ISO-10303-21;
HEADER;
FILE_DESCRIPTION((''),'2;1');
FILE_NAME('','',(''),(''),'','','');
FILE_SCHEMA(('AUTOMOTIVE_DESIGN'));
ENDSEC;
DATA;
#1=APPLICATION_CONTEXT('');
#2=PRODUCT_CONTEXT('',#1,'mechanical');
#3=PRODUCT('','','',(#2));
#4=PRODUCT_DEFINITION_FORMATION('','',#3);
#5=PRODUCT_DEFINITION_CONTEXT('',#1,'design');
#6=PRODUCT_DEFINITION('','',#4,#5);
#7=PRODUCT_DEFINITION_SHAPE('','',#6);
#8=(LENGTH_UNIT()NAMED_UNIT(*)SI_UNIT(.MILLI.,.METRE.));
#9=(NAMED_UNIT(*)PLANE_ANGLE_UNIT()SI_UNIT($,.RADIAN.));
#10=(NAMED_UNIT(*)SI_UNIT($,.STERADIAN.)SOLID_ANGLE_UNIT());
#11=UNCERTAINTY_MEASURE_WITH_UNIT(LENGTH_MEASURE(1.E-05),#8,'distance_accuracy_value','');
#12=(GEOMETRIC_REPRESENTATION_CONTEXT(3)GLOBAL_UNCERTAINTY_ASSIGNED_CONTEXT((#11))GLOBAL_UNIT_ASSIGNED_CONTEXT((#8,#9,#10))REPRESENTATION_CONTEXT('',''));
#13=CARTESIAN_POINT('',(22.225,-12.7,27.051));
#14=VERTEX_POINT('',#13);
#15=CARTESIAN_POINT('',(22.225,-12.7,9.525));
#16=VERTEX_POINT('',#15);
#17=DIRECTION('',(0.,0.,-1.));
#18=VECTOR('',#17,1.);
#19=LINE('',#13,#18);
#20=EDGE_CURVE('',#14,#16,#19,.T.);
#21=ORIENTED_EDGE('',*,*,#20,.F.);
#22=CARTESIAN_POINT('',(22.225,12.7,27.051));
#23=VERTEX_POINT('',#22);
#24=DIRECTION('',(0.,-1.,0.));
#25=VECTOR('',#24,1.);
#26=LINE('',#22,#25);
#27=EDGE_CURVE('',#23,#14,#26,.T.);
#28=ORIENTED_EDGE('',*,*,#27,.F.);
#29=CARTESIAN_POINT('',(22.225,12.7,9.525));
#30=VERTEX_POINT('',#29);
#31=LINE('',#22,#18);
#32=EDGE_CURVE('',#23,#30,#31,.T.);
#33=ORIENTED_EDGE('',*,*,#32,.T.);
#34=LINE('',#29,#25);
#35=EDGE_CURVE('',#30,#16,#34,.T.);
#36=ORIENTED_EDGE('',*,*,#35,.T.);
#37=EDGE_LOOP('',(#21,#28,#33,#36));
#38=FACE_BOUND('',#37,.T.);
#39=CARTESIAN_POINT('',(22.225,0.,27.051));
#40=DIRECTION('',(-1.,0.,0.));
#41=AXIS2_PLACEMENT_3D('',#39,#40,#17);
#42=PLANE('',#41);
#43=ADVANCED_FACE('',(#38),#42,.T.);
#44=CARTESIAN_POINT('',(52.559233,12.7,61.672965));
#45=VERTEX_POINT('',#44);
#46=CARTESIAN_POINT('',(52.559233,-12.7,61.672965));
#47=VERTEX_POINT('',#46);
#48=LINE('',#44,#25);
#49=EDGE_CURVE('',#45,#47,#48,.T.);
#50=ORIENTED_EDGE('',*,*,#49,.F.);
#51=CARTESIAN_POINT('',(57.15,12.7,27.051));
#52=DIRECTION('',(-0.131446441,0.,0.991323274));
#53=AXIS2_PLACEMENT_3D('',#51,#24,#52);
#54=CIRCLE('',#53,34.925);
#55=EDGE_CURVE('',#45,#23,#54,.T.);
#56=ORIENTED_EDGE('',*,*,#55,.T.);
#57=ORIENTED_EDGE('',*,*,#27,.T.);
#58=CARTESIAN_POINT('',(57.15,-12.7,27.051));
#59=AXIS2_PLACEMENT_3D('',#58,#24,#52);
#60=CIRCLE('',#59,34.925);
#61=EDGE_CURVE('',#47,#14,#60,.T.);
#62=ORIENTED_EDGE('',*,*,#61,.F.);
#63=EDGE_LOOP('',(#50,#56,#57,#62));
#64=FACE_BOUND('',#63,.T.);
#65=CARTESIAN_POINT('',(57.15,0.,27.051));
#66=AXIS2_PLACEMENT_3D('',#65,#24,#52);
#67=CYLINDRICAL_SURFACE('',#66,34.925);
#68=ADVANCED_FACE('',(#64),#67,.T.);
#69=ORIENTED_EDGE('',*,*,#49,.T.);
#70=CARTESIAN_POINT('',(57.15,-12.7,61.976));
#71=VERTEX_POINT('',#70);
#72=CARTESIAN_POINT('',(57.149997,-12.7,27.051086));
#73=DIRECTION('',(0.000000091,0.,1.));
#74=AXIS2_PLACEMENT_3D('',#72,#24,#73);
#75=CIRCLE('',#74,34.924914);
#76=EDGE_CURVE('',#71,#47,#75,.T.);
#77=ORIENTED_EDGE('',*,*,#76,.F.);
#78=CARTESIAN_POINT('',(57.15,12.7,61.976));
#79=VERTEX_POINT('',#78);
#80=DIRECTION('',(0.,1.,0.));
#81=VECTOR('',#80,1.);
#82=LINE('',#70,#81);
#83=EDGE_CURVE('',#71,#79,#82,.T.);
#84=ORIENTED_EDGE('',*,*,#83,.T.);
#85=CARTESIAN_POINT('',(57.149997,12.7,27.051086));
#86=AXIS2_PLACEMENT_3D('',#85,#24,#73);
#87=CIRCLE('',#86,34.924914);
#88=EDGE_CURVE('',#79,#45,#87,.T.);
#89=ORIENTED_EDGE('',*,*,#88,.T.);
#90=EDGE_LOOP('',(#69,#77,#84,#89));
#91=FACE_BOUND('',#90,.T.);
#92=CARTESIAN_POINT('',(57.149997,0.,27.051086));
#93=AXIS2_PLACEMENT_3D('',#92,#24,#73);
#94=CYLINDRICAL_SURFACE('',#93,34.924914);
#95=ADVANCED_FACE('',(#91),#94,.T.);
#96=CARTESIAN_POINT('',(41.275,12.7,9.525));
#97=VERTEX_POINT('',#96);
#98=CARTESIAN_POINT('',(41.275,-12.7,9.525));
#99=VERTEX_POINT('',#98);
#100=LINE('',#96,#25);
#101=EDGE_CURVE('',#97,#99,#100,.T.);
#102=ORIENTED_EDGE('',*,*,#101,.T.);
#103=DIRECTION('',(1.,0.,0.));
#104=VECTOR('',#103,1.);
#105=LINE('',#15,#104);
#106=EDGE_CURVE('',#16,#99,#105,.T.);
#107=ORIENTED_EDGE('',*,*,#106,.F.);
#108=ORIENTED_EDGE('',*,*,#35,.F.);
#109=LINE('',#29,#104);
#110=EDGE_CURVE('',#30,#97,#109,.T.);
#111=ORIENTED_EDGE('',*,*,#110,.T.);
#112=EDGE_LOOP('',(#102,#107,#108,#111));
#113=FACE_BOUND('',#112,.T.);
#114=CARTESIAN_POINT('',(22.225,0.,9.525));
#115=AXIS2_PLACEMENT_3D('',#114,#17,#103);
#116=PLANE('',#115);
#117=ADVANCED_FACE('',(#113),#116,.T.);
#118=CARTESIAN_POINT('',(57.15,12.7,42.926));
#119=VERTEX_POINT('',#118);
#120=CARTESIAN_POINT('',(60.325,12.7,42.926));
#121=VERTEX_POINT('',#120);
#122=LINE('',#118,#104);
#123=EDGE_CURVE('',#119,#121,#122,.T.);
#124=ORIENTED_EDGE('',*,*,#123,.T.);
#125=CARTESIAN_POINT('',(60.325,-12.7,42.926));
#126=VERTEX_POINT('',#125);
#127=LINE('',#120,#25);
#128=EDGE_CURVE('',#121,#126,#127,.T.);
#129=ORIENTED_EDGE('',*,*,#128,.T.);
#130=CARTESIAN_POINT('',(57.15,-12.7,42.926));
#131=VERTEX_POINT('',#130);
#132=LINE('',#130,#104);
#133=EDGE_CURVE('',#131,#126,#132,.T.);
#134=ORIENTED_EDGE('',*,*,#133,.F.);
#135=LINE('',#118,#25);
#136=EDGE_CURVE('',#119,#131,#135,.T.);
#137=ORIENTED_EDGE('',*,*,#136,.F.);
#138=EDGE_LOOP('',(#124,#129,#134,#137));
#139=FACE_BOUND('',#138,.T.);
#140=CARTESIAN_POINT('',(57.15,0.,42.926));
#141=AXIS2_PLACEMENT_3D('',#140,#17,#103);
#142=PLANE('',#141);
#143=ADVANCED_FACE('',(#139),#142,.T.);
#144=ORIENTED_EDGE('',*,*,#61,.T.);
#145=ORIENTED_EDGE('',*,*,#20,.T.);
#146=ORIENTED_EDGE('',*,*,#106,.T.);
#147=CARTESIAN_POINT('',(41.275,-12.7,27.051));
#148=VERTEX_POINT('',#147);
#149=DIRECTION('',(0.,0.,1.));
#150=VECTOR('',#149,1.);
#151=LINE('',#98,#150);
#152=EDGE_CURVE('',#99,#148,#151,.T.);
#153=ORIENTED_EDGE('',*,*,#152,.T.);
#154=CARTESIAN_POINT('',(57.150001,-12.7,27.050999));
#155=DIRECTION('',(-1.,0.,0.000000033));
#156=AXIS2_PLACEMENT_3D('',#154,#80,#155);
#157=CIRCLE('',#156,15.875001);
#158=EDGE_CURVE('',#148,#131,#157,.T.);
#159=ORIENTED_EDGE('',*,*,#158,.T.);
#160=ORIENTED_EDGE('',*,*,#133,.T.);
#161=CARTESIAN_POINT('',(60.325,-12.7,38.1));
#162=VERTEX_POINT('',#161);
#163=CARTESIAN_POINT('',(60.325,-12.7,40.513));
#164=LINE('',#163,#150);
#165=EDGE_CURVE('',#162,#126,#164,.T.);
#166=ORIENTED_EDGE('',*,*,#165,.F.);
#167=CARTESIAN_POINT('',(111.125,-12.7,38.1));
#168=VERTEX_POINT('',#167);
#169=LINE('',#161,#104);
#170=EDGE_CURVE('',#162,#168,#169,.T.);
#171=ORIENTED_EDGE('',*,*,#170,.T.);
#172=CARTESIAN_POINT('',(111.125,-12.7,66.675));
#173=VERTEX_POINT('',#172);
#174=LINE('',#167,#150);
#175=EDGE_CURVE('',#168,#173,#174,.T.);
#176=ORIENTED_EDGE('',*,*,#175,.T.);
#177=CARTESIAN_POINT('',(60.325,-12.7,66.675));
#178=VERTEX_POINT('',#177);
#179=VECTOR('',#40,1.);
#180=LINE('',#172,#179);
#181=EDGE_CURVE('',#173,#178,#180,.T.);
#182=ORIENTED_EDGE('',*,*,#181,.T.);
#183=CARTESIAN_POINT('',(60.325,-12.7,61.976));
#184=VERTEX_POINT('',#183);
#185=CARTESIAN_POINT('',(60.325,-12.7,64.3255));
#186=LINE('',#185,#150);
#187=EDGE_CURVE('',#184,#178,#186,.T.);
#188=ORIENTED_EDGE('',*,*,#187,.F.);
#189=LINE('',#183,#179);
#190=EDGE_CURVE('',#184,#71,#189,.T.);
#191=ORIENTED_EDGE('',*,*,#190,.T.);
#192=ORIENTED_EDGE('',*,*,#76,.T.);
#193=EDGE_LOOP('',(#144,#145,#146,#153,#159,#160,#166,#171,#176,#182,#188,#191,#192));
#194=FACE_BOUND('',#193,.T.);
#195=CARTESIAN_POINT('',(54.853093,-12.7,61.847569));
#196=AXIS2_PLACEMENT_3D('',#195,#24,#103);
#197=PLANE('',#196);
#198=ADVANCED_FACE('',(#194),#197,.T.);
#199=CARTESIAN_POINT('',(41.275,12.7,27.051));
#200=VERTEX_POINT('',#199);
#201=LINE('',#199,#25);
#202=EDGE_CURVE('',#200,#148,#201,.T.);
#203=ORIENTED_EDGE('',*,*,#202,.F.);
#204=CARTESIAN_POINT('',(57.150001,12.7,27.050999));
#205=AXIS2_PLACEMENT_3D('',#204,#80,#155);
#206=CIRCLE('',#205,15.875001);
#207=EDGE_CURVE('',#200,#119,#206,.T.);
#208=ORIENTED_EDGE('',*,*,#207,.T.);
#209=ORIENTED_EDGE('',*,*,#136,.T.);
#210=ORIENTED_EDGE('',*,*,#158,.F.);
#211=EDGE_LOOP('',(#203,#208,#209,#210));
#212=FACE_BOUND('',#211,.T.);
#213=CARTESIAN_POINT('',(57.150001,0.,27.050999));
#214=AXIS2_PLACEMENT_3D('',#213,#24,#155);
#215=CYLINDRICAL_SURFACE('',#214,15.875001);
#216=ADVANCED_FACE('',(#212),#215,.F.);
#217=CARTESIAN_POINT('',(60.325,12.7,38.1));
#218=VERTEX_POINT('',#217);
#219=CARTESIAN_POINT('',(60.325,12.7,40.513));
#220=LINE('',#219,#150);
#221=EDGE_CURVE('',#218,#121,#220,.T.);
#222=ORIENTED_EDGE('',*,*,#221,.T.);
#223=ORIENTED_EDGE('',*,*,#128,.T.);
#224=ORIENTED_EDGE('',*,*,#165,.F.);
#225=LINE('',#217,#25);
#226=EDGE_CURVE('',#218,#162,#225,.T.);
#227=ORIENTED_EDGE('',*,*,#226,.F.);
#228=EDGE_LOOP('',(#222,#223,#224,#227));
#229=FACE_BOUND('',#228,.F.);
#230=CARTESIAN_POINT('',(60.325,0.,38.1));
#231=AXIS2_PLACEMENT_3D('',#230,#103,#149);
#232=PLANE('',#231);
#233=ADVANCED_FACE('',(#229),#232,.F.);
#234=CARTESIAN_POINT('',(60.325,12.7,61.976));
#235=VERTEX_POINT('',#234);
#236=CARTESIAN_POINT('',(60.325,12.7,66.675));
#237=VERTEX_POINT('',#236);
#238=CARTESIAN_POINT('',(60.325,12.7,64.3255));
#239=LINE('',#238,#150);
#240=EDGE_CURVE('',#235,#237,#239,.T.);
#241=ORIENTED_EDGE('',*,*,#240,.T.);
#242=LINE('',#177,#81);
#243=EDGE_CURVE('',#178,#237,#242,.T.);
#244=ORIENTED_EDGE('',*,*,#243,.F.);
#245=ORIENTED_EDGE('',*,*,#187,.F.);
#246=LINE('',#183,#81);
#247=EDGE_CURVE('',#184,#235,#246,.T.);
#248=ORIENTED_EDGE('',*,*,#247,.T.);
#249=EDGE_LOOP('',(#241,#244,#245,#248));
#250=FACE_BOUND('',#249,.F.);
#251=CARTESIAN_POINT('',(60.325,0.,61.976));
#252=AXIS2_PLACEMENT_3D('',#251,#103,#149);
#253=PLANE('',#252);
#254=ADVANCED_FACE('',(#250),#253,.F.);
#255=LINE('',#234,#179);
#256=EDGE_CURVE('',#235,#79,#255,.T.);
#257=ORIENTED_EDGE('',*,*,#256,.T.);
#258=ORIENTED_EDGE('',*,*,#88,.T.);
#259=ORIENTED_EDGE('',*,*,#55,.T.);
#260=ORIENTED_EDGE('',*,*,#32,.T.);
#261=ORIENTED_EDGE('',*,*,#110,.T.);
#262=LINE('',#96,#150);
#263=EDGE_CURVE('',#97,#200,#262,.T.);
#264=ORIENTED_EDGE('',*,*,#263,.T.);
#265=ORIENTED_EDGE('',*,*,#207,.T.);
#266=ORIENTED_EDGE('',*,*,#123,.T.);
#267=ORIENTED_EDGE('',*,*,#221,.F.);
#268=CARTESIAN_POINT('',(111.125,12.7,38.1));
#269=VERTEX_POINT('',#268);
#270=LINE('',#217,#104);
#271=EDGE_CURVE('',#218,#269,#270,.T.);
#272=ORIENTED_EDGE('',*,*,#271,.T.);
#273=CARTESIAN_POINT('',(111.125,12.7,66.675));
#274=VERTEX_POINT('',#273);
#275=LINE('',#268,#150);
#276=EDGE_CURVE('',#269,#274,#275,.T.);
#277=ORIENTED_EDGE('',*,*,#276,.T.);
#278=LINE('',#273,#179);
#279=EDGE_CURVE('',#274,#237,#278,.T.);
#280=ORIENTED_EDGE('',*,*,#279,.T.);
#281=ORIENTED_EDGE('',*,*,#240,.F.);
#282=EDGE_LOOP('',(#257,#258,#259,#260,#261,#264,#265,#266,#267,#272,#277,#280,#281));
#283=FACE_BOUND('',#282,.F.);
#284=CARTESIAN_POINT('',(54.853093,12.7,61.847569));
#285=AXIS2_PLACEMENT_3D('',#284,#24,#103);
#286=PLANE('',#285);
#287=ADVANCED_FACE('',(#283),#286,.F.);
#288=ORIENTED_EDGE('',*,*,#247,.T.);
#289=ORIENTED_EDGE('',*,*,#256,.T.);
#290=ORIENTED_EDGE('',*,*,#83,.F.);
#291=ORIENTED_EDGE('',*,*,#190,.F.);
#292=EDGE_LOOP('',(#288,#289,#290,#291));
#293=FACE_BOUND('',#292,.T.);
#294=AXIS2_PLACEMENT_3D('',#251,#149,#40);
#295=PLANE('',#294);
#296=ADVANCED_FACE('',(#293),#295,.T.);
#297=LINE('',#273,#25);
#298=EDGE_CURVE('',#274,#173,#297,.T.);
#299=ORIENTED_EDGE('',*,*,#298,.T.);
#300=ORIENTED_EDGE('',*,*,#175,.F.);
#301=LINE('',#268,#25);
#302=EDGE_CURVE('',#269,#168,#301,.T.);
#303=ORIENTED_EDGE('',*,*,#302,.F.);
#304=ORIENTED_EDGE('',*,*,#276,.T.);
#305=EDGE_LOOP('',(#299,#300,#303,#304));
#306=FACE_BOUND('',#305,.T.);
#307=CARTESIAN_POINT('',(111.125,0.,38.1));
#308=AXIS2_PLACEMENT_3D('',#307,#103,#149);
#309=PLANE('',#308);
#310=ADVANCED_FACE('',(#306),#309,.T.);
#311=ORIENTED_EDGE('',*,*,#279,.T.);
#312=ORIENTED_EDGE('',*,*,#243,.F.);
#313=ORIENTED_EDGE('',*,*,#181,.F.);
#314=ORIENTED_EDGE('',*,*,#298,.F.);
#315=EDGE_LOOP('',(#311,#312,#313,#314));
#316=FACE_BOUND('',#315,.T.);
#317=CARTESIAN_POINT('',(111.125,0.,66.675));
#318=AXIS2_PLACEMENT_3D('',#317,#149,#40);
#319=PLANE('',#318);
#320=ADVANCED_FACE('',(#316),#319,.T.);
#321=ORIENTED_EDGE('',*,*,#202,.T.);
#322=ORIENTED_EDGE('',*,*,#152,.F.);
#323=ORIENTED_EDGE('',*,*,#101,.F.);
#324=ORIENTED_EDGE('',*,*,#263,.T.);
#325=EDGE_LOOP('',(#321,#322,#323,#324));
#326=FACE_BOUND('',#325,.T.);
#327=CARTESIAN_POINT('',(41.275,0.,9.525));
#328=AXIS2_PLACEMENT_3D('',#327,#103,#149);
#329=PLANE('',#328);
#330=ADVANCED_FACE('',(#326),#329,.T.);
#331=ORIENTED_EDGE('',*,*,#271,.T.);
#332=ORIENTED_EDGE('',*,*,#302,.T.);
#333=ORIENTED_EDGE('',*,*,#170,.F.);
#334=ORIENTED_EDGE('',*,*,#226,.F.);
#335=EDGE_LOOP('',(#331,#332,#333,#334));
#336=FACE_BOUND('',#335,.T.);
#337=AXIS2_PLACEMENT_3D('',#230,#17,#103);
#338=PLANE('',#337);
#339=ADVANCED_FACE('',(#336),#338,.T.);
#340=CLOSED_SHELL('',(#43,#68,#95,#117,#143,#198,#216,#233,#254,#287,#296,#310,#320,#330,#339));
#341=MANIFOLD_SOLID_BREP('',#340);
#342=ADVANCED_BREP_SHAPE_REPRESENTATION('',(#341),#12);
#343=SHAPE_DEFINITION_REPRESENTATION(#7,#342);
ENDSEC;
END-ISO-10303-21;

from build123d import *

# Parameters (mm, degrees)
F0_W     = 25.4
F0_H     = 4.826
F0_H_2   = 4.699
F0_H_3   = 19.05
F1_DEPTH = 12.7


with BuildPart() as f1:
    # F0 (on Front) → F1 (new body, symmetric)
    with BuildSketch(Plane.XZ):
        with BuildLine():
            ThreePointArc((57.15, 61.976), (54.849621, 61.900159), (52.559233, 61.672965))
            add(Edge.make_bspline(
                [(52.559233, 61.672965), (54.111289, 61.778813), (55.642842, 61.87906), (57.15, 61.976)],
                knots=[107.17334, 107.17334, 107.17334, 107.17334, 111.528418, 111.528418, 111.528418, 111.528418], degree=3))
        make_face()
        with Locations((73.025, 40.513)):
            Rectangle(F0_W, F0_H)
        with Locations((73.025, 64.3255)):
            Rectangle(F0_W, F0_H_2)
        Polygon((85.725, 61.976), (85.725, 42.926), (85.725, 38.1), (111.125, 38.1), (111.125, 66.675), (85.725, 66.675), align=None)
        with BuildLine():
            Line((22.225, 9.525), (41.275, 9.525))
            Line((41.275, 9.525), (41.275, 27.051))
            ThreePointArc((41.275, 27.051), (45.92468, 38.27632), (57.15, 42.926))
            Line((57.15, 42.926), (60.325, 42.926))
            Line((60.325, 42.926), (60.325, 61.976))
            Line((60.325, 61.976), (57.15, 61.976))
            add(Edge.make_bspline(
                [(52.559233, 61.672965), (54.111289, 61.778813), (55.642842, 61.87906), (57.15, 61.976)],
                knots=[107.17334, 107.17334, 107.17334, 107.17334, 111.528418, 111.528418, 111.528418, 111.528418], degree=3))
            ThreePointArc((52.559233, 61.672965), (30.88131, 50.066463), (22.225, 27.051))
            Line((22.225, 27.051), (22.225, 9.525))
        make_face()
        with Locations((73.025, 52.451)):
            Rectangle(F0_W, F0_H_3)
    extrude(amount=F1_DEPTH, both=True)


solid = f1.part
